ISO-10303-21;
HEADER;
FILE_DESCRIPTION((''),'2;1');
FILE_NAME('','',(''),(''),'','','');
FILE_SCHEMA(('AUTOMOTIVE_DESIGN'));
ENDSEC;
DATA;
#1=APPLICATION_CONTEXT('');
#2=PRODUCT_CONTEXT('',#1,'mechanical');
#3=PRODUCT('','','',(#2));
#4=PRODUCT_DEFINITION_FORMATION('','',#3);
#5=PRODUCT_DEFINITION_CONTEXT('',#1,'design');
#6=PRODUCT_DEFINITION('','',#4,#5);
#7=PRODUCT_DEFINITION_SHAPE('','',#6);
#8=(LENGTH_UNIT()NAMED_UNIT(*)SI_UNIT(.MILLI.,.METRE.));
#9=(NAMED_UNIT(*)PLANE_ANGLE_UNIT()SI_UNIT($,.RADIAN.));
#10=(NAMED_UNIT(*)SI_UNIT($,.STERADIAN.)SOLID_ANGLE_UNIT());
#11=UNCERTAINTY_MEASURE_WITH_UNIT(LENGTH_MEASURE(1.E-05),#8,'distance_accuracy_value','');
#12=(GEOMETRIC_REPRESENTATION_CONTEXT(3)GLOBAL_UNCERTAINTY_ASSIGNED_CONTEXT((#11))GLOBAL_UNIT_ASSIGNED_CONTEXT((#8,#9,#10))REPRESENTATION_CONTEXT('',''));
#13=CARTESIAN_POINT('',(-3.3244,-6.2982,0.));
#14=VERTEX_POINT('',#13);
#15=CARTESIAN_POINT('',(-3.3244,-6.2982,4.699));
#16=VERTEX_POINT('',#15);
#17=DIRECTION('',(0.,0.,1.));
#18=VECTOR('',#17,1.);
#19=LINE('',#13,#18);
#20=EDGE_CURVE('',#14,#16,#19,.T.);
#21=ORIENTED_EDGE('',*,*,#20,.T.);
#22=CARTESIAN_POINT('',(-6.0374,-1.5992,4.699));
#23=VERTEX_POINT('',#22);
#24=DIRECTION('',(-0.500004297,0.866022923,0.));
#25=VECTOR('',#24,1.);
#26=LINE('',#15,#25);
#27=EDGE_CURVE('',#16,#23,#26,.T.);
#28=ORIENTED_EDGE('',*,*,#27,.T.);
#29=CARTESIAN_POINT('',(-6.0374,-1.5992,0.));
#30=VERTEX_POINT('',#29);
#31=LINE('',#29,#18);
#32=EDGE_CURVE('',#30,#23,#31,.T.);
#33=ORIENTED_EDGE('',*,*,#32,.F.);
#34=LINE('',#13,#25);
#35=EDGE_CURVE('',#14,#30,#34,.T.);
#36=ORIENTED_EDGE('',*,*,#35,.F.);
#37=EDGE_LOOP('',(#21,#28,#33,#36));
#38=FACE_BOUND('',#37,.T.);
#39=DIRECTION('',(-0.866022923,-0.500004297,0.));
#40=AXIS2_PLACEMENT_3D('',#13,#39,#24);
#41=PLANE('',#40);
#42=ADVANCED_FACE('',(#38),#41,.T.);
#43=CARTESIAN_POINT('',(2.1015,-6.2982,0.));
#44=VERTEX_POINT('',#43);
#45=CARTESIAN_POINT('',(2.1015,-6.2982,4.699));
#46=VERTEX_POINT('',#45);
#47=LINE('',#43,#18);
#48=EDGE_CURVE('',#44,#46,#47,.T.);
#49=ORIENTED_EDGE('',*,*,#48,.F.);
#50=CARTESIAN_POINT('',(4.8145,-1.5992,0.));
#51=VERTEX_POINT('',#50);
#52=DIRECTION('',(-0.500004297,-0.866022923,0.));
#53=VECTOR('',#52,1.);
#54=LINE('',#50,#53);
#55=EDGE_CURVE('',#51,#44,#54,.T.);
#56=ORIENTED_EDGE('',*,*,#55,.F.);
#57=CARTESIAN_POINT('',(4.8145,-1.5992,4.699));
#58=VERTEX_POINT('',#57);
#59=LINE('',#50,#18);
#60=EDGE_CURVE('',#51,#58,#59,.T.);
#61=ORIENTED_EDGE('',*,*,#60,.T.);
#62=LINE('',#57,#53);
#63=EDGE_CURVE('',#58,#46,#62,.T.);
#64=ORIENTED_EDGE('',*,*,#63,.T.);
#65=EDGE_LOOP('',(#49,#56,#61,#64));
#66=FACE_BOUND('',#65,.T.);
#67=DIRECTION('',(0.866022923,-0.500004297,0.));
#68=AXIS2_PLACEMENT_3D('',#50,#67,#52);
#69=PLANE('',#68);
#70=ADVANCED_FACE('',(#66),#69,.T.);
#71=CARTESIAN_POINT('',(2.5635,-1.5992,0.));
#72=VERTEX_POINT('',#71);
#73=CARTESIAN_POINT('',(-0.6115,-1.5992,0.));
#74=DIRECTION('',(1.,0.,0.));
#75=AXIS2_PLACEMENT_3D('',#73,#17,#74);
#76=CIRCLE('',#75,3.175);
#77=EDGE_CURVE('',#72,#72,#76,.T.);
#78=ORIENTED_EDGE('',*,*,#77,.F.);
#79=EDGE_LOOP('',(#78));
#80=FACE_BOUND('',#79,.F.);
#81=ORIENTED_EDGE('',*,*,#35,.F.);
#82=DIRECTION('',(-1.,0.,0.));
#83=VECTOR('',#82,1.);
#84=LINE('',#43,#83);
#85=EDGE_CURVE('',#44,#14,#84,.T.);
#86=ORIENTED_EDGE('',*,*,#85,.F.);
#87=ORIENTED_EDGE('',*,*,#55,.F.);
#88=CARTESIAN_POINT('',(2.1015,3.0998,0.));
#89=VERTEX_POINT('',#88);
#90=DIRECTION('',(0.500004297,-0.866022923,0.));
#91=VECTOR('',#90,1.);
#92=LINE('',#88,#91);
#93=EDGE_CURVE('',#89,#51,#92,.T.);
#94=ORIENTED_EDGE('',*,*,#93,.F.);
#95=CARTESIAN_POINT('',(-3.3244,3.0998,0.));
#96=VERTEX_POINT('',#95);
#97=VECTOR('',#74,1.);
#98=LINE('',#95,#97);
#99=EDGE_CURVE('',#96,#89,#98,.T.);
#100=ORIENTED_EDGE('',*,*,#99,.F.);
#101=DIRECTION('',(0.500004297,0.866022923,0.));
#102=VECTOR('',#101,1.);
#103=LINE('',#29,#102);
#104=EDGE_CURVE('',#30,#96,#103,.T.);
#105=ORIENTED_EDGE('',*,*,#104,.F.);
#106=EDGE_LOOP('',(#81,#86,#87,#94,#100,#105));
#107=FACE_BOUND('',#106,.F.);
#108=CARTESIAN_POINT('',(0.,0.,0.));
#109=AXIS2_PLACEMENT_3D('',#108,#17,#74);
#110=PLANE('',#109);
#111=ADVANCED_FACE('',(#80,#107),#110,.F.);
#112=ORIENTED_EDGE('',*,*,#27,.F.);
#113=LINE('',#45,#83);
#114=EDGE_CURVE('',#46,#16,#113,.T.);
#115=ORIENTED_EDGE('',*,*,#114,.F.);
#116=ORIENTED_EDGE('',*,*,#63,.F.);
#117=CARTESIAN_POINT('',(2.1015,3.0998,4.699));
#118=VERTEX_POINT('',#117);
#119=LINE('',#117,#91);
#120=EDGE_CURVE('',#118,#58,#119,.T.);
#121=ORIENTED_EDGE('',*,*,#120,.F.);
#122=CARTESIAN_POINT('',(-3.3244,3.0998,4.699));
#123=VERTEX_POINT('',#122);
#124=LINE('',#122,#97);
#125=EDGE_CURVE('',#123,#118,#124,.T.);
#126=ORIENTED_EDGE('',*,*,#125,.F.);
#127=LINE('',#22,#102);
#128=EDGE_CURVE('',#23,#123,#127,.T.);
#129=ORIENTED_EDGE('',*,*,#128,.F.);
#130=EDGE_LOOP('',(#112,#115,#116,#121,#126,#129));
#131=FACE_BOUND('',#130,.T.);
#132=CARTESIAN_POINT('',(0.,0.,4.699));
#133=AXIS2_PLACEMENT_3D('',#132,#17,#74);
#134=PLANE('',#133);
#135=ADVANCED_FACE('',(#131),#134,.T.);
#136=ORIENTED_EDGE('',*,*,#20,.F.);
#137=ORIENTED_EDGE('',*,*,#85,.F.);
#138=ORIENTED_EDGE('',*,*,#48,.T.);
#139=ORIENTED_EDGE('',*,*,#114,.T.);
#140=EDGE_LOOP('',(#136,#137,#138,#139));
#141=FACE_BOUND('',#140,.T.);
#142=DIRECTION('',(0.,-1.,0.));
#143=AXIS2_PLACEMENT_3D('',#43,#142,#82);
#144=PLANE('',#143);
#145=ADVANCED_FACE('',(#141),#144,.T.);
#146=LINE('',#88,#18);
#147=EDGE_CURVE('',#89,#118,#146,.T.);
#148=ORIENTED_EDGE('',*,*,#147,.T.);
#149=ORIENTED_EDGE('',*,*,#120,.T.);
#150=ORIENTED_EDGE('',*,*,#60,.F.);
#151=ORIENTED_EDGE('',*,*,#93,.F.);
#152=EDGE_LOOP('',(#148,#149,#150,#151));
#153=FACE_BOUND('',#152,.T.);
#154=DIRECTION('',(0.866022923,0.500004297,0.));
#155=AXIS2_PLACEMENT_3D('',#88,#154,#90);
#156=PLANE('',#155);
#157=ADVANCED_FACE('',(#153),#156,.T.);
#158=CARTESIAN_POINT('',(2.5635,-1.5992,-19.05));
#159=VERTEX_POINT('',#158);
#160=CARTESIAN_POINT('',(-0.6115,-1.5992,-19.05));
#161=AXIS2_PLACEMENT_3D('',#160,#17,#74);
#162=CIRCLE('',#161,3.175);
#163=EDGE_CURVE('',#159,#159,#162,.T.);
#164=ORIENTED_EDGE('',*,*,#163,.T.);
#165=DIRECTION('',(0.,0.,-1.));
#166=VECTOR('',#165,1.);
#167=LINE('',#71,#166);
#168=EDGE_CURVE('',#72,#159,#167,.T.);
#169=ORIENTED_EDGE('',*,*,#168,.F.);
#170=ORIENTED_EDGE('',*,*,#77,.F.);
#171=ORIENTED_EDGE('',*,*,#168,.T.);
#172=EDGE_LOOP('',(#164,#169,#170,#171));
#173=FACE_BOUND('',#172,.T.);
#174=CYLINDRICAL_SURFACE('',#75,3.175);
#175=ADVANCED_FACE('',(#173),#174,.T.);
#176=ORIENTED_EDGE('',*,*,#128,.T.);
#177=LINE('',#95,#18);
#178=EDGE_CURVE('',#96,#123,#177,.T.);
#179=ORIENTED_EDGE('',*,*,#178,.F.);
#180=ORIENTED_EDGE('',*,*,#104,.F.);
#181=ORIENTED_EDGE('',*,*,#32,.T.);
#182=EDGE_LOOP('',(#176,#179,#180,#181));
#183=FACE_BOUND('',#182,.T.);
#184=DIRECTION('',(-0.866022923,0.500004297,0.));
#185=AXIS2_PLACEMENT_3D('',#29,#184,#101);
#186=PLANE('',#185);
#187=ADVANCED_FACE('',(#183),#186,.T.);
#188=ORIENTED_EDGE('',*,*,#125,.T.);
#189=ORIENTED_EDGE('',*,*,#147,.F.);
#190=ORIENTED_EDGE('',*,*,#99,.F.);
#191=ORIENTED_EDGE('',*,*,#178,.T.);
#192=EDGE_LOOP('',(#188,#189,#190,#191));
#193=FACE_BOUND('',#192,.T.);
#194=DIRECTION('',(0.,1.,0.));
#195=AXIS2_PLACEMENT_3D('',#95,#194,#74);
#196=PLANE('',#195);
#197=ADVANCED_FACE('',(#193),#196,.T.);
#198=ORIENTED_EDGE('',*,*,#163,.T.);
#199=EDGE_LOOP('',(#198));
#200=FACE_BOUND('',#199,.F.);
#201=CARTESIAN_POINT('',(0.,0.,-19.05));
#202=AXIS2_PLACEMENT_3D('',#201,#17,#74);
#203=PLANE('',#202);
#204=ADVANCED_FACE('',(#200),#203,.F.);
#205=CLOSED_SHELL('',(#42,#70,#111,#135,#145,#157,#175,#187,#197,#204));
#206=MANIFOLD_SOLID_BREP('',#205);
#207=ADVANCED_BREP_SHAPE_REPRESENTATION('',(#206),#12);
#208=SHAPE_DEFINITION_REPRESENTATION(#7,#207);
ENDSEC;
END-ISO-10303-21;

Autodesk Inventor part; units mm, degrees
ref_plane "YZ Plane" through (0, 0, 0) normal (1, 0, 0) x (0, 1, 0)
ref_plane "XZ Plane" through (0, 0, 0) normal (0, 1, 0) x (-1, 0, 0)
ref_plane "XY Plane" through (0, 0, 0) normal (0, 0, 1) x (1, 0, 0)
sketch "Sketch1" plane through (0, 0, 0) normal (0, 0, 1) x (1, 0, 0)
  circle A0 centre (-0.6115, -1.5992) radius 3.175
  line L0 (-6.0374, -1.5992) -> (-3.3244, 3.0998)
  line L1 (-3.3244, 3.0998) -> (2.1015, 3.0998)
  line L2 (2.1015, 3.0998) -> (4.8145, -1.5992)
  line L3 (4.8145, -1.5992) -> (2.1015, -6.2982)
  line L4 (2.1015, -6.2982) -> (-3.3244, -6.2982)
  line L5 (-3.3244, -6.2982) -> (-6.0374, -1.5992)
  dimension "d10" = 9.398
extrude "Extrusion1" add sketch "Sketch1" against normal blind 19.05 contours A0
extrude "Extrusion2" add sketch "Sketch1" along normal blind 4.699 contours A0 | L0 L1 L2 L3 L4 L5
thread "Thread1" size "1/4-20 UNC" class "2A" standard "ANSI Unified Screw Threads" full length
properties part number "HW-00012"
